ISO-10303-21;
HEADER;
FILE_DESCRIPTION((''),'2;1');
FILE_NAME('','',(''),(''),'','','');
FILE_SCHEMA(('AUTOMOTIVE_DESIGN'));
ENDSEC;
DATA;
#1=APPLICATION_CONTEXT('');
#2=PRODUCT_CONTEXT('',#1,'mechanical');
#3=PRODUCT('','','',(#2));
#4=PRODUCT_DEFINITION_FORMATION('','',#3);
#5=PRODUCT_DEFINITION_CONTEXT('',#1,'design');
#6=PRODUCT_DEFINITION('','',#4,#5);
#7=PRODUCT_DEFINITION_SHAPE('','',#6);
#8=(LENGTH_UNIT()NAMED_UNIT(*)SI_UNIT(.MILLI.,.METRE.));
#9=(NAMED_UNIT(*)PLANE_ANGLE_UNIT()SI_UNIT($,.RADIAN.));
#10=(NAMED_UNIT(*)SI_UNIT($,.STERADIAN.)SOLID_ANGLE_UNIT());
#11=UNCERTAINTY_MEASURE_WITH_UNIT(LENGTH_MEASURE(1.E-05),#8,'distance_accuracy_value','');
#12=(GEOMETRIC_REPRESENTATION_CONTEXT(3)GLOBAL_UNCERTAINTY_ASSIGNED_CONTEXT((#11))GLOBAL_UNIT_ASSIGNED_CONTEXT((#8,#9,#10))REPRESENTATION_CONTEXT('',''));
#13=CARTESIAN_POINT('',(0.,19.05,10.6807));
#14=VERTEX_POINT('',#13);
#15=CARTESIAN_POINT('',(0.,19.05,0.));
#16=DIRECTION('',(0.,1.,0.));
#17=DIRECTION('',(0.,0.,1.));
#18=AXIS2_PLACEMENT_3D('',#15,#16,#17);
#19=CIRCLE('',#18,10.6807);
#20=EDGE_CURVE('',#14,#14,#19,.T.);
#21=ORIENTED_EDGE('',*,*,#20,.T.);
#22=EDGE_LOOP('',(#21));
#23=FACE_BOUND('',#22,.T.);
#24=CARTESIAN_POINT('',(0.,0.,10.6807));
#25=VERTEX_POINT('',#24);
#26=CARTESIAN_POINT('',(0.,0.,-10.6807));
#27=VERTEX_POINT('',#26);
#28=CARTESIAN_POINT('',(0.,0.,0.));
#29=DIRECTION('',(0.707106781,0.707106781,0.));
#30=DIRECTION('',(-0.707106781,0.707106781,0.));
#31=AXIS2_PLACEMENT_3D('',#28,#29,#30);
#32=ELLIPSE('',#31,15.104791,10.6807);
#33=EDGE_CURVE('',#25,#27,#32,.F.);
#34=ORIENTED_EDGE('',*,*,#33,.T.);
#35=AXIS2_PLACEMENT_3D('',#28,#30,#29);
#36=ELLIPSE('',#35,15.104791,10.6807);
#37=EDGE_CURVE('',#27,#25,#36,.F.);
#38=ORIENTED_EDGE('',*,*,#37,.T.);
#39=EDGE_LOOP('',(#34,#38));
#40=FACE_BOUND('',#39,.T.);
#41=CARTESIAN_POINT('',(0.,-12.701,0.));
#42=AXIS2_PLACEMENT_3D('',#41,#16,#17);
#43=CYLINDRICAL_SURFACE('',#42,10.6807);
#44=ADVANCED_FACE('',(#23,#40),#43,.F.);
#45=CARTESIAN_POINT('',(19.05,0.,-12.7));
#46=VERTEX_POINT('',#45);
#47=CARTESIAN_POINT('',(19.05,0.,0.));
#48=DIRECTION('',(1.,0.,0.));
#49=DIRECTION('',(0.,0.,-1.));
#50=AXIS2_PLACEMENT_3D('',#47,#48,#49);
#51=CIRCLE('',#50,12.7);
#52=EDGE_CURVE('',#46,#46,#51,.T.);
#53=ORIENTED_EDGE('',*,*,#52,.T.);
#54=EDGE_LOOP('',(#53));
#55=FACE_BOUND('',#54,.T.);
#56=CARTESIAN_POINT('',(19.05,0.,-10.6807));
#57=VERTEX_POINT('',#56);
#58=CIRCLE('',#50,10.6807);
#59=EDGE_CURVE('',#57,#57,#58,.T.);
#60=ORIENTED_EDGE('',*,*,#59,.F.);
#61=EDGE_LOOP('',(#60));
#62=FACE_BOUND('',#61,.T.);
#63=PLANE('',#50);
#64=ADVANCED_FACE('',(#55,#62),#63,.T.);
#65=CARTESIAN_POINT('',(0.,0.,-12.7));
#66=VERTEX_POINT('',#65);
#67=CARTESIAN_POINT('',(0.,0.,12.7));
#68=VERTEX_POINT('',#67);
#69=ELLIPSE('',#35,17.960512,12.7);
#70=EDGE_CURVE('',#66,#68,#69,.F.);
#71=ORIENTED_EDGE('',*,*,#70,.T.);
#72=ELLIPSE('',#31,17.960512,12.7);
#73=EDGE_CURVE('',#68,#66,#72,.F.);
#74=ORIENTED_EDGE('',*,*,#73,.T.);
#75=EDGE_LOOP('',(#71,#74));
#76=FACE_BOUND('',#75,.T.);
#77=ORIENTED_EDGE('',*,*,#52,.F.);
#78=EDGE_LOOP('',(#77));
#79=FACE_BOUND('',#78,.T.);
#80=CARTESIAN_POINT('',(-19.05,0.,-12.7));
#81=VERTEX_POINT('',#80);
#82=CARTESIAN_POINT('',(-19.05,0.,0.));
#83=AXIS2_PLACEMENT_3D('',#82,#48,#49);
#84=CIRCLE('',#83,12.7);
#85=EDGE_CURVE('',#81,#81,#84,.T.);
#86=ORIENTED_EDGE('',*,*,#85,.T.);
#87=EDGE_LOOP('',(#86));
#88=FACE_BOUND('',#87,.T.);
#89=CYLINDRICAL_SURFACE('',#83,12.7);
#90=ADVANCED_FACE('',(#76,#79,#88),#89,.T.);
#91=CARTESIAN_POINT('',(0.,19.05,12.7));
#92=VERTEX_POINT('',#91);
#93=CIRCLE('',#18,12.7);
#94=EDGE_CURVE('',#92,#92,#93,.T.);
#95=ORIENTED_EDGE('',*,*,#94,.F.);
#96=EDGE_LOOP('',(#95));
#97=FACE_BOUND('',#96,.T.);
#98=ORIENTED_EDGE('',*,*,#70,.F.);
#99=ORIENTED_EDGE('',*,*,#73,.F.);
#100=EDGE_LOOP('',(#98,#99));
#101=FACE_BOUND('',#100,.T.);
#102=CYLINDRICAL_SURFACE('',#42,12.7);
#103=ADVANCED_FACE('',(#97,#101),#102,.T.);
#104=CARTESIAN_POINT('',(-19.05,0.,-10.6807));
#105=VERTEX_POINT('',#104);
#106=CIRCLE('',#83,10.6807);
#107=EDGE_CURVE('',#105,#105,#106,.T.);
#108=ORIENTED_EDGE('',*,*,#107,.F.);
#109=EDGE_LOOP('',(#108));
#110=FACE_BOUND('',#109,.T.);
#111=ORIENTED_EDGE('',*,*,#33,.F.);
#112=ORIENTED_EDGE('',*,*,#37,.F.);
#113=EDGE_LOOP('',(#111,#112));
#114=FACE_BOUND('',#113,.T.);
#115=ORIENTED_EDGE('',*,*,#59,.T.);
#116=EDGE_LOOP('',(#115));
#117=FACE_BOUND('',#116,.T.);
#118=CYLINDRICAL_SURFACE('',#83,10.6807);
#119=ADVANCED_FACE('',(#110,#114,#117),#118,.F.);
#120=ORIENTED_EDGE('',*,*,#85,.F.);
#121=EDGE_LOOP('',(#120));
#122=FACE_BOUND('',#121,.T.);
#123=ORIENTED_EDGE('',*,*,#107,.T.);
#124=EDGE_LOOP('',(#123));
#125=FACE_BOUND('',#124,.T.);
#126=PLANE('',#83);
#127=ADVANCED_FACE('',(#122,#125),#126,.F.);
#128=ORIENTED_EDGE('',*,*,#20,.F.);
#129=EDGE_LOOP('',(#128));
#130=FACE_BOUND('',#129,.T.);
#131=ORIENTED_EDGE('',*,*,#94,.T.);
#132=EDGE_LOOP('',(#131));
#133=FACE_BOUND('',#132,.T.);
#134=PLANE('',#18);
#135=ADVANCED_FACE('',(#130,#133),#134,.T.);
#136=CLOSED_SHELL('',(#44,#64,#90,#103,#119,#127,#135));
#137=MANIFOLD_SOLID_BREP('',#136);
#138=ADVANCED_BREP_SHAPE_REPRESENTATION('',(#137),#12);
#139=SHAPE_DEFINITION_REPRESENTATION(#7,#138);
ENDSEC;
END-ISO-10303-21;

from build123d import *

# Parameters (mm, degrees)
SKETCH2_R           = 12.7
SKETCH2_R_2         = 10.6807
BOSS_EXTRUDE1_DEPTH = 19.05
BOSS_EXTRUDE2_REACH = 33.75
SKETCH5_R           = 12.7
CUT_EXTRUDE1_REACH  = 33.75
SKETCH6_R           = 10.6807


with BuildPart() as part:
    # Sketch2 → Boss-Extrude1 (new body, symmetric)
    with BuildSketch(Plane(origin=(0, 0, 0), x_dir=(0, 0, -1), z_dir=(1, 0, 0))):
        Circle(SKETCH2_R)
        Circle(SKETCH2_R_2, mode=Mode.SUBTRACT)
    extrude(amount=BOSS_EXTRUDE1_DEPTH, both=True)

    # Sketch5 → Boss-Extrude2 (add, up to next)
    with BuildSketch(Plane(origin=(0, 19.05, 0), x_dir=(1, 0, 0), z_dir=(0, 1, 0)), mode=Mode.PRIVATE) as boss_extrude2_sk1:
        Circle(SKETCH5_R)
    boss_extrude2_tool1 = extrude(boss_extrude2_sk1.sketch, amount=-BOSS_EXTRUDE2_REACH, mode=Mode.PRIVATE) - part.part
    add(boss_extrude2_tool1.solids().sort_by_distance((0, 19.05, 0))[0])

    # Sketch6 → Cut-Extrude1 (cut, up to next)
    with BuildSketch(Plane(origin=(0, 19.05, 0), x_dir=(1, 0, 0), z_dir=(0, 1, 0)), mode=Mode.PRIVATE) as cut_extrude1_sk1:
        Circle(SKETCH6_R)
    cut_extrude1_tool1 = extrude(cut_extrude1_sk1.sketch, amount=-CUT_EXTRUDE1_REACH, mode=Mode.PRIVATE) & part.part
    add(cut_extrude1_tool1.solids().sort_by_distance((0, 19.05, 0))[0], mode=Mode.SUBTRACT)


solid = part.part
